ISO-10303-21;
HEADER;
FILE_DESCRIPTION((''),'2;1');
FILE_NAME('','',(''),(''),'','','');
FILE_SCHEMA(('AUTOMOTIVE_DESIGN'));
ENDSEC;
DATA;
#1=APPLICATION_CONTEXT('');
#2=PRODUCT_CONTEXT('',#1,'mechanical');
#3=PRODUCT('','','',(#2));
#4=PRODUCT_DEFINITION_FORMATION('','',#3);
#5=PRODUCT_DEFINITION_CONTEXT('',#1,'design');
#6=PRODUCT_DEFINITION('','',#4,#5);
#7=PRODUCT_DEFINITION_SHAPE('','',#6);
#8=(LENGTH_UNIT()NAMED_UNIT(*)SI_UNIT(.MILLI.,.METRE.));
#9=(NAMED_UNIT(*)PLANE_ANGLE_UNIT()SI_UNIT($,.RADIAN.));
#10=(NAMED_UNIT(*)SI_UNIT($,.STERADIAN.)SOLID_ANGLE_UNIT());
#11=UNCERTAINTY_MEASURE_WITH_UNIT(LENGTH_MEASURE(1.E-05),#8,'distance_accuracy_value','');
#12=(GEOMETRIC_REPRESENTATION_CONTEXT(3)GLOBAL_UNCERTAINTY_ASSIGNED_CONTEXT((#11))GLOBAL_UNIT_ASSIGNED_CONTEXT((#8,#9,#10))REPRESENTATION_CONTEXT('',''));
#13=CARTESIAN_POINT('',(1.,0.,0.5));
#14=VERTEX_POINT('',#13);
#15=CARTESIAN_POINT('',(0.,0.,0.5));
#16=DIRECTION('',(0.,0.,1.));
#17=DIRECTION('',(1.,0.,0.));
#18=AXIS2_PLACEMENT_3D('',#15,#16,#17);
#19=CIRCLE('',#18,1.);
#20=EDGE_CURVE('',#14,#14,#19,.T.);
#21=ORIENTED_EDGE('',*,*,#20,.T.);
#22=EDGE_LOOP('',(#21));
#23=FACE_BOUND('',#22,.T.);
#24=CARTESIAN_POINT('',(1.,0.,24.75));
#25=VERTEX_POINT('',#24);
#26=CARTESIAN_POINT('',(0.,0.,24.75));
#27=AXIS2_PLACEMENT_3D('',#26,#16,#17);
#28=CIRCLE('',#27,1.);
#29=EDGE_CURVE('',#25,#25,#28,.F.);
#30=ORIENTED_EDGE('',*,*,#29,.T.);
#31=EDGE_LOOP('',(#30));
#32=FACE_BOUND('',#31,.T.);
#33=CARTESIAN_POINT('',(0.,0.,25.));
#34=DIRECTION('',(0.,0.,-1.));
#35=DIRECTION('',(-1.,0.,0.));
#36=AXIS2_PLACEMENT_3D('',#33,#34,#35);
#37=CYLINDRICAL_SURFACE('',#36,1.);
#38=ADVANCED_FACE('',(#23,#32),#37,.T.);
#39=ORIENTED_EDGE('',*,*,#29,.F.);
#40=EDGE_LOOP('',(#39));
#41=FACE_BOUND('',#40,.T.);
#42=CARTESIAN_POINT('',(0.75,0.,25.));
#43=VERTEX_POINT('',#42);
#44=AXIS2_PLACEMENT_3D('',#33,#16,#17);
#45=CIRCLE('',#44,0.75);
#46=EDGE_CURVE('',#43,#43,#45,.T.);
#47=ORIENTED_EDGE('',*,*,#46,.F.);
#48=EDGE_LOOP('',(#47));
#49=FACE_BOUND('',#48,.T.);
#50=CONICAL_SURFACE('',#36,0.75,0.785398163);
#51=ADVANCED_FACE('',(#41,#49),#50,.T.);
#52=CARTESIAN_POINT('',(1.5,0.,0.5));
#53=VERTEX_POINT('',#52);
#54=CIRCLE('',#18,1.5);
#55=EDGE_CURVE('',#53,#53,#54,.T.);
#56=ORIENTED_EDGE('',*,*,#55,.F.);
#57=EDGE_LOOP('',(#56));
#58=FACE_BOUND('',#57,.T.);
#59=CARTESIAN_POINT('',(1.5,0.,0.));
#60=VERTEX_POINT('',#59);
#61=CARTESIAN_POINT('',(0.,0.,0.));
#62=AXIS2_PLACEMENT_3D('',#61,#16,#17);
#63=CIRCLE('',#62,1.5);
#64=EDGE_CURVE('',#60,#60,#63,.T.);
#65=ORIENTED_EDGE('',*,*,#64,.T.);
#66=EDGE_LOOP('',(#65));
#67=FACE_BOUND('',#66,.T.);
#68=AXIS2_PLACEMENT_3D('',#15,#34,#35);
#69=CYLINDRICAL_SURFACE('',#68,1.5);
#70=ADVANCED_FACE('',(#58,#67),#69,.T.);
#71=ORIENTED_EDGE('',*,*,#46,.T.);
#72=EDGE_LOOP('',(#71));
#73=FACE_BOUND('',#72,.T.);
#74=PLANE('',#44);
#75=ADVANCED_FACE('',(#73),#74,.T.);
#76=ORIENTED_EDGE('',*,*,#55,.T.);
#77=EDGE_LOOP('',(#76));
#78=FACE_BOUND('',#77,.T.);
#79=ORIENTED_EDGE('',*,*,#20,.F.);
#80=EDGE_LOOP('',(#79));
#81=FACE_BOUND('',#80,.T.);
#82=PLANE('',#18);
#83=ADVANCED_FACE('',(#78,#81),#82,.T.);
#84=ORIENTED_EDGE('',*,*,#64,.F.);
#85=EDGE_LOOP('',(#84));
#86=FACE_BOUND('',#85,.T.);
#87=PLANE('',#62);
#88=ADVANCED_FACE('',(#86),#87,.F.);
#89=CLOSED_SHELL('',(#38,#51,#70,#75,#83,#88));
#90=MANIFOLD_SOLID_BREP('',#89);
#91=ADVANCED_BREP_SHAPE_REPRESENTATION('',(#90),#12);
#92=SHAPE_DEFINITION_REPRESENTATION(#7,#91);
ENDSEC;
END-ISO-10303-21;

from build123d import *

# Parameters (mm, degrees)
SKETCH1_R           = 1.5
BOSS_EXTRUDE1_DEPTH = 0.5
SKETCH2_R           = 1
BOSS_EXTRUDE2_DEPTH = 24.5
CHAMFER1_SIZE       = 0.25


with BuildPart() as part:
    # Sketch1 → Boss-Extrude1 (new body)
    with BuildSketch(Plane.XY):
        Circle(SKETCH1_R)
    extrude(amount=BOSS_EXTRUDE1_DEPTH)

    # Sketch2 → Boss-Extrude2 (add)
    with BuildSketch(Plane.XY.offset(0.5)):
        Circle(SKETCH2_R)
    extrude(amount=BOSS_EXTRUDE2_DEPTH)

    # Chamfer1
    chamfer1_edges = [part.edges().sort_by_distance(p)[0] for p in [
        (-1, 0, 25),
    ]]
    chamfer(chamfer1_edges, length=CHAMFER1_SIZE)


solid = part.part
